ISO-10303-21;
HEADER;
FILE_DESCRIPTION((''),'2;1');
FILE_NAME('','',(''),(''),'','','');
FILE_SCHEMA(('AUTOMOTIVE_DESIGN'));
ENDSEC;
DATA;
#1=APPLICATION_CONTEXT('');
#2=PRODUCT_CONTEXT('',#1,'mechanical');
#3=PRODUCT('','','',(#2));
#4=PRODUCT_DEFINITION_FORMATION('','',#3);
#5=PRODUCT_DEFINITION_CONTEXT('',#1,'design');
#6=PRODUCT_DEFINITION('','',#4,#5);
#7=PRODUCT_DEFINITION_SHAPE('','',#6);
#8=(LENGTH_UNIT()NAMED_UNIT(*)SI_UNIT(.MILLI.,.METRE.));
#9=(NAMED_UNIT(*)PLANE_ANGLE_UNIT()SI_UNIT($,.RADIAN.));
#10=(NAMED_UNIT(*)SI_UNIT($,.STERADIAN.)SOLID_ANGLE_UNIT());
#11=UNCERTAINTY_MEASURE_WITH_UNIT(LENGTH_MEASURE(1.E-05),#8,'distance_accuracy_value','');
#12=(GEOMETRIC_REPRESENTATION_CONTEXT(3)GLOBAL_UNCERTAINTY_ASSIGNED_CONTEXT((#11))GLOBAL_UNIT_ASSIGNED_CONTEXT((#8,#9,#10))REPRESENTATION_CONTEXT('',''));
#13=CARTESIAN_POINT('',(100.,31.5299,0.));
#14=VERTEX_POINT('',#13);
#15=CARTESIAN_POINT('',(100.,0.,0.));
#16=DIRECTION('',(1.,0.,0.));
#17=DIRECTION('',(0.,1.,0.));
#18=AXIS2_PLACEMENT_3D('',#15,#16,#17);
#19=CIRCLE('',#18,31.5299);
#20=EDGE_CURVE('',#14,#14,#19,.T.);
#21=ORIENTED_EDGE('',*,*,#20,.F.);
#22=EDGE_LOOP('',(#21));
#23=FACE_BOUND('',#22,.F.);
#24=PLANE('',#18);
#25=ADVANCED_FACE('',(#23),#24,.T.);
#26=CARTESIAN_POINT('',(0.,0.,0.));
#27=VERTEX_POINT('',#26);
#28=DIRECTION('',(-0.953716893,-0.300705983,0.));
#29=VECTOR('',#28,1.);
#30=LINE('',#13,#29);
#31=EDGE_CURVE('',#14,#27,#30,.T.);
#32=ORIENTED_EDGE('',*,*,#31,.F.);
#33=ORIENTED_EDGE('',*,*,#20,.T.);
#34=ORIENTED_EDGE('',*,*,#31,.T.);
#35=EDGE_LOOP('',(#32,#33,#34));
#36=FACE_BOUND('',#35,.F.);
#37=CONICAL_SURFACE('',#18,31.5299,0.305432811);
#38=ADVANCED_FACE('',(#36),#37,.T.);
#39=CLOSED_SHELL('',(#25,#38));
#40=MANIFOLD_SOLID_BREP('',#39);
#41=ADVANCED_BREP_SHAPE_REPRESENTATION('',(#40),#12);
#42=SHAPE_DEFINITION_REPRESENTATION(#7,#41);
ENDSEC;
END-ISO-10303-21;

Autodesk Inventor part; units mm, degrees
ref_plane "YZ Plane" through (0, 0, 0) normal (1, 0, 0) x (0, 1, 0)
ref_plane "XZ Plane" through (0, 0, 0) normal (0, 1, 0) x (-1, 0, 0)
ref_plane "XY Plane" through (0, 0, 0) normal (0, 0, 1) x (1, 0, 0)
sketch "Эскиз1" plane through (0, 0, 0) normal (0, 0, 1) x (1, 0, 0)
  line L0 (0, 0) -> (100, 0)
  line L1 (100, 0) -> (100, 31.5299)
  line L2 (100, 31.5299) -> (0, 0)
  dimension "d0" = 100
  dimension "d1" = 17.5
revolve "Вращение1" add sketch "Эскиз1" angle 360 about axis through (0, 0, 0) along (1, 0, 0)
properties part number "temp_vision"
